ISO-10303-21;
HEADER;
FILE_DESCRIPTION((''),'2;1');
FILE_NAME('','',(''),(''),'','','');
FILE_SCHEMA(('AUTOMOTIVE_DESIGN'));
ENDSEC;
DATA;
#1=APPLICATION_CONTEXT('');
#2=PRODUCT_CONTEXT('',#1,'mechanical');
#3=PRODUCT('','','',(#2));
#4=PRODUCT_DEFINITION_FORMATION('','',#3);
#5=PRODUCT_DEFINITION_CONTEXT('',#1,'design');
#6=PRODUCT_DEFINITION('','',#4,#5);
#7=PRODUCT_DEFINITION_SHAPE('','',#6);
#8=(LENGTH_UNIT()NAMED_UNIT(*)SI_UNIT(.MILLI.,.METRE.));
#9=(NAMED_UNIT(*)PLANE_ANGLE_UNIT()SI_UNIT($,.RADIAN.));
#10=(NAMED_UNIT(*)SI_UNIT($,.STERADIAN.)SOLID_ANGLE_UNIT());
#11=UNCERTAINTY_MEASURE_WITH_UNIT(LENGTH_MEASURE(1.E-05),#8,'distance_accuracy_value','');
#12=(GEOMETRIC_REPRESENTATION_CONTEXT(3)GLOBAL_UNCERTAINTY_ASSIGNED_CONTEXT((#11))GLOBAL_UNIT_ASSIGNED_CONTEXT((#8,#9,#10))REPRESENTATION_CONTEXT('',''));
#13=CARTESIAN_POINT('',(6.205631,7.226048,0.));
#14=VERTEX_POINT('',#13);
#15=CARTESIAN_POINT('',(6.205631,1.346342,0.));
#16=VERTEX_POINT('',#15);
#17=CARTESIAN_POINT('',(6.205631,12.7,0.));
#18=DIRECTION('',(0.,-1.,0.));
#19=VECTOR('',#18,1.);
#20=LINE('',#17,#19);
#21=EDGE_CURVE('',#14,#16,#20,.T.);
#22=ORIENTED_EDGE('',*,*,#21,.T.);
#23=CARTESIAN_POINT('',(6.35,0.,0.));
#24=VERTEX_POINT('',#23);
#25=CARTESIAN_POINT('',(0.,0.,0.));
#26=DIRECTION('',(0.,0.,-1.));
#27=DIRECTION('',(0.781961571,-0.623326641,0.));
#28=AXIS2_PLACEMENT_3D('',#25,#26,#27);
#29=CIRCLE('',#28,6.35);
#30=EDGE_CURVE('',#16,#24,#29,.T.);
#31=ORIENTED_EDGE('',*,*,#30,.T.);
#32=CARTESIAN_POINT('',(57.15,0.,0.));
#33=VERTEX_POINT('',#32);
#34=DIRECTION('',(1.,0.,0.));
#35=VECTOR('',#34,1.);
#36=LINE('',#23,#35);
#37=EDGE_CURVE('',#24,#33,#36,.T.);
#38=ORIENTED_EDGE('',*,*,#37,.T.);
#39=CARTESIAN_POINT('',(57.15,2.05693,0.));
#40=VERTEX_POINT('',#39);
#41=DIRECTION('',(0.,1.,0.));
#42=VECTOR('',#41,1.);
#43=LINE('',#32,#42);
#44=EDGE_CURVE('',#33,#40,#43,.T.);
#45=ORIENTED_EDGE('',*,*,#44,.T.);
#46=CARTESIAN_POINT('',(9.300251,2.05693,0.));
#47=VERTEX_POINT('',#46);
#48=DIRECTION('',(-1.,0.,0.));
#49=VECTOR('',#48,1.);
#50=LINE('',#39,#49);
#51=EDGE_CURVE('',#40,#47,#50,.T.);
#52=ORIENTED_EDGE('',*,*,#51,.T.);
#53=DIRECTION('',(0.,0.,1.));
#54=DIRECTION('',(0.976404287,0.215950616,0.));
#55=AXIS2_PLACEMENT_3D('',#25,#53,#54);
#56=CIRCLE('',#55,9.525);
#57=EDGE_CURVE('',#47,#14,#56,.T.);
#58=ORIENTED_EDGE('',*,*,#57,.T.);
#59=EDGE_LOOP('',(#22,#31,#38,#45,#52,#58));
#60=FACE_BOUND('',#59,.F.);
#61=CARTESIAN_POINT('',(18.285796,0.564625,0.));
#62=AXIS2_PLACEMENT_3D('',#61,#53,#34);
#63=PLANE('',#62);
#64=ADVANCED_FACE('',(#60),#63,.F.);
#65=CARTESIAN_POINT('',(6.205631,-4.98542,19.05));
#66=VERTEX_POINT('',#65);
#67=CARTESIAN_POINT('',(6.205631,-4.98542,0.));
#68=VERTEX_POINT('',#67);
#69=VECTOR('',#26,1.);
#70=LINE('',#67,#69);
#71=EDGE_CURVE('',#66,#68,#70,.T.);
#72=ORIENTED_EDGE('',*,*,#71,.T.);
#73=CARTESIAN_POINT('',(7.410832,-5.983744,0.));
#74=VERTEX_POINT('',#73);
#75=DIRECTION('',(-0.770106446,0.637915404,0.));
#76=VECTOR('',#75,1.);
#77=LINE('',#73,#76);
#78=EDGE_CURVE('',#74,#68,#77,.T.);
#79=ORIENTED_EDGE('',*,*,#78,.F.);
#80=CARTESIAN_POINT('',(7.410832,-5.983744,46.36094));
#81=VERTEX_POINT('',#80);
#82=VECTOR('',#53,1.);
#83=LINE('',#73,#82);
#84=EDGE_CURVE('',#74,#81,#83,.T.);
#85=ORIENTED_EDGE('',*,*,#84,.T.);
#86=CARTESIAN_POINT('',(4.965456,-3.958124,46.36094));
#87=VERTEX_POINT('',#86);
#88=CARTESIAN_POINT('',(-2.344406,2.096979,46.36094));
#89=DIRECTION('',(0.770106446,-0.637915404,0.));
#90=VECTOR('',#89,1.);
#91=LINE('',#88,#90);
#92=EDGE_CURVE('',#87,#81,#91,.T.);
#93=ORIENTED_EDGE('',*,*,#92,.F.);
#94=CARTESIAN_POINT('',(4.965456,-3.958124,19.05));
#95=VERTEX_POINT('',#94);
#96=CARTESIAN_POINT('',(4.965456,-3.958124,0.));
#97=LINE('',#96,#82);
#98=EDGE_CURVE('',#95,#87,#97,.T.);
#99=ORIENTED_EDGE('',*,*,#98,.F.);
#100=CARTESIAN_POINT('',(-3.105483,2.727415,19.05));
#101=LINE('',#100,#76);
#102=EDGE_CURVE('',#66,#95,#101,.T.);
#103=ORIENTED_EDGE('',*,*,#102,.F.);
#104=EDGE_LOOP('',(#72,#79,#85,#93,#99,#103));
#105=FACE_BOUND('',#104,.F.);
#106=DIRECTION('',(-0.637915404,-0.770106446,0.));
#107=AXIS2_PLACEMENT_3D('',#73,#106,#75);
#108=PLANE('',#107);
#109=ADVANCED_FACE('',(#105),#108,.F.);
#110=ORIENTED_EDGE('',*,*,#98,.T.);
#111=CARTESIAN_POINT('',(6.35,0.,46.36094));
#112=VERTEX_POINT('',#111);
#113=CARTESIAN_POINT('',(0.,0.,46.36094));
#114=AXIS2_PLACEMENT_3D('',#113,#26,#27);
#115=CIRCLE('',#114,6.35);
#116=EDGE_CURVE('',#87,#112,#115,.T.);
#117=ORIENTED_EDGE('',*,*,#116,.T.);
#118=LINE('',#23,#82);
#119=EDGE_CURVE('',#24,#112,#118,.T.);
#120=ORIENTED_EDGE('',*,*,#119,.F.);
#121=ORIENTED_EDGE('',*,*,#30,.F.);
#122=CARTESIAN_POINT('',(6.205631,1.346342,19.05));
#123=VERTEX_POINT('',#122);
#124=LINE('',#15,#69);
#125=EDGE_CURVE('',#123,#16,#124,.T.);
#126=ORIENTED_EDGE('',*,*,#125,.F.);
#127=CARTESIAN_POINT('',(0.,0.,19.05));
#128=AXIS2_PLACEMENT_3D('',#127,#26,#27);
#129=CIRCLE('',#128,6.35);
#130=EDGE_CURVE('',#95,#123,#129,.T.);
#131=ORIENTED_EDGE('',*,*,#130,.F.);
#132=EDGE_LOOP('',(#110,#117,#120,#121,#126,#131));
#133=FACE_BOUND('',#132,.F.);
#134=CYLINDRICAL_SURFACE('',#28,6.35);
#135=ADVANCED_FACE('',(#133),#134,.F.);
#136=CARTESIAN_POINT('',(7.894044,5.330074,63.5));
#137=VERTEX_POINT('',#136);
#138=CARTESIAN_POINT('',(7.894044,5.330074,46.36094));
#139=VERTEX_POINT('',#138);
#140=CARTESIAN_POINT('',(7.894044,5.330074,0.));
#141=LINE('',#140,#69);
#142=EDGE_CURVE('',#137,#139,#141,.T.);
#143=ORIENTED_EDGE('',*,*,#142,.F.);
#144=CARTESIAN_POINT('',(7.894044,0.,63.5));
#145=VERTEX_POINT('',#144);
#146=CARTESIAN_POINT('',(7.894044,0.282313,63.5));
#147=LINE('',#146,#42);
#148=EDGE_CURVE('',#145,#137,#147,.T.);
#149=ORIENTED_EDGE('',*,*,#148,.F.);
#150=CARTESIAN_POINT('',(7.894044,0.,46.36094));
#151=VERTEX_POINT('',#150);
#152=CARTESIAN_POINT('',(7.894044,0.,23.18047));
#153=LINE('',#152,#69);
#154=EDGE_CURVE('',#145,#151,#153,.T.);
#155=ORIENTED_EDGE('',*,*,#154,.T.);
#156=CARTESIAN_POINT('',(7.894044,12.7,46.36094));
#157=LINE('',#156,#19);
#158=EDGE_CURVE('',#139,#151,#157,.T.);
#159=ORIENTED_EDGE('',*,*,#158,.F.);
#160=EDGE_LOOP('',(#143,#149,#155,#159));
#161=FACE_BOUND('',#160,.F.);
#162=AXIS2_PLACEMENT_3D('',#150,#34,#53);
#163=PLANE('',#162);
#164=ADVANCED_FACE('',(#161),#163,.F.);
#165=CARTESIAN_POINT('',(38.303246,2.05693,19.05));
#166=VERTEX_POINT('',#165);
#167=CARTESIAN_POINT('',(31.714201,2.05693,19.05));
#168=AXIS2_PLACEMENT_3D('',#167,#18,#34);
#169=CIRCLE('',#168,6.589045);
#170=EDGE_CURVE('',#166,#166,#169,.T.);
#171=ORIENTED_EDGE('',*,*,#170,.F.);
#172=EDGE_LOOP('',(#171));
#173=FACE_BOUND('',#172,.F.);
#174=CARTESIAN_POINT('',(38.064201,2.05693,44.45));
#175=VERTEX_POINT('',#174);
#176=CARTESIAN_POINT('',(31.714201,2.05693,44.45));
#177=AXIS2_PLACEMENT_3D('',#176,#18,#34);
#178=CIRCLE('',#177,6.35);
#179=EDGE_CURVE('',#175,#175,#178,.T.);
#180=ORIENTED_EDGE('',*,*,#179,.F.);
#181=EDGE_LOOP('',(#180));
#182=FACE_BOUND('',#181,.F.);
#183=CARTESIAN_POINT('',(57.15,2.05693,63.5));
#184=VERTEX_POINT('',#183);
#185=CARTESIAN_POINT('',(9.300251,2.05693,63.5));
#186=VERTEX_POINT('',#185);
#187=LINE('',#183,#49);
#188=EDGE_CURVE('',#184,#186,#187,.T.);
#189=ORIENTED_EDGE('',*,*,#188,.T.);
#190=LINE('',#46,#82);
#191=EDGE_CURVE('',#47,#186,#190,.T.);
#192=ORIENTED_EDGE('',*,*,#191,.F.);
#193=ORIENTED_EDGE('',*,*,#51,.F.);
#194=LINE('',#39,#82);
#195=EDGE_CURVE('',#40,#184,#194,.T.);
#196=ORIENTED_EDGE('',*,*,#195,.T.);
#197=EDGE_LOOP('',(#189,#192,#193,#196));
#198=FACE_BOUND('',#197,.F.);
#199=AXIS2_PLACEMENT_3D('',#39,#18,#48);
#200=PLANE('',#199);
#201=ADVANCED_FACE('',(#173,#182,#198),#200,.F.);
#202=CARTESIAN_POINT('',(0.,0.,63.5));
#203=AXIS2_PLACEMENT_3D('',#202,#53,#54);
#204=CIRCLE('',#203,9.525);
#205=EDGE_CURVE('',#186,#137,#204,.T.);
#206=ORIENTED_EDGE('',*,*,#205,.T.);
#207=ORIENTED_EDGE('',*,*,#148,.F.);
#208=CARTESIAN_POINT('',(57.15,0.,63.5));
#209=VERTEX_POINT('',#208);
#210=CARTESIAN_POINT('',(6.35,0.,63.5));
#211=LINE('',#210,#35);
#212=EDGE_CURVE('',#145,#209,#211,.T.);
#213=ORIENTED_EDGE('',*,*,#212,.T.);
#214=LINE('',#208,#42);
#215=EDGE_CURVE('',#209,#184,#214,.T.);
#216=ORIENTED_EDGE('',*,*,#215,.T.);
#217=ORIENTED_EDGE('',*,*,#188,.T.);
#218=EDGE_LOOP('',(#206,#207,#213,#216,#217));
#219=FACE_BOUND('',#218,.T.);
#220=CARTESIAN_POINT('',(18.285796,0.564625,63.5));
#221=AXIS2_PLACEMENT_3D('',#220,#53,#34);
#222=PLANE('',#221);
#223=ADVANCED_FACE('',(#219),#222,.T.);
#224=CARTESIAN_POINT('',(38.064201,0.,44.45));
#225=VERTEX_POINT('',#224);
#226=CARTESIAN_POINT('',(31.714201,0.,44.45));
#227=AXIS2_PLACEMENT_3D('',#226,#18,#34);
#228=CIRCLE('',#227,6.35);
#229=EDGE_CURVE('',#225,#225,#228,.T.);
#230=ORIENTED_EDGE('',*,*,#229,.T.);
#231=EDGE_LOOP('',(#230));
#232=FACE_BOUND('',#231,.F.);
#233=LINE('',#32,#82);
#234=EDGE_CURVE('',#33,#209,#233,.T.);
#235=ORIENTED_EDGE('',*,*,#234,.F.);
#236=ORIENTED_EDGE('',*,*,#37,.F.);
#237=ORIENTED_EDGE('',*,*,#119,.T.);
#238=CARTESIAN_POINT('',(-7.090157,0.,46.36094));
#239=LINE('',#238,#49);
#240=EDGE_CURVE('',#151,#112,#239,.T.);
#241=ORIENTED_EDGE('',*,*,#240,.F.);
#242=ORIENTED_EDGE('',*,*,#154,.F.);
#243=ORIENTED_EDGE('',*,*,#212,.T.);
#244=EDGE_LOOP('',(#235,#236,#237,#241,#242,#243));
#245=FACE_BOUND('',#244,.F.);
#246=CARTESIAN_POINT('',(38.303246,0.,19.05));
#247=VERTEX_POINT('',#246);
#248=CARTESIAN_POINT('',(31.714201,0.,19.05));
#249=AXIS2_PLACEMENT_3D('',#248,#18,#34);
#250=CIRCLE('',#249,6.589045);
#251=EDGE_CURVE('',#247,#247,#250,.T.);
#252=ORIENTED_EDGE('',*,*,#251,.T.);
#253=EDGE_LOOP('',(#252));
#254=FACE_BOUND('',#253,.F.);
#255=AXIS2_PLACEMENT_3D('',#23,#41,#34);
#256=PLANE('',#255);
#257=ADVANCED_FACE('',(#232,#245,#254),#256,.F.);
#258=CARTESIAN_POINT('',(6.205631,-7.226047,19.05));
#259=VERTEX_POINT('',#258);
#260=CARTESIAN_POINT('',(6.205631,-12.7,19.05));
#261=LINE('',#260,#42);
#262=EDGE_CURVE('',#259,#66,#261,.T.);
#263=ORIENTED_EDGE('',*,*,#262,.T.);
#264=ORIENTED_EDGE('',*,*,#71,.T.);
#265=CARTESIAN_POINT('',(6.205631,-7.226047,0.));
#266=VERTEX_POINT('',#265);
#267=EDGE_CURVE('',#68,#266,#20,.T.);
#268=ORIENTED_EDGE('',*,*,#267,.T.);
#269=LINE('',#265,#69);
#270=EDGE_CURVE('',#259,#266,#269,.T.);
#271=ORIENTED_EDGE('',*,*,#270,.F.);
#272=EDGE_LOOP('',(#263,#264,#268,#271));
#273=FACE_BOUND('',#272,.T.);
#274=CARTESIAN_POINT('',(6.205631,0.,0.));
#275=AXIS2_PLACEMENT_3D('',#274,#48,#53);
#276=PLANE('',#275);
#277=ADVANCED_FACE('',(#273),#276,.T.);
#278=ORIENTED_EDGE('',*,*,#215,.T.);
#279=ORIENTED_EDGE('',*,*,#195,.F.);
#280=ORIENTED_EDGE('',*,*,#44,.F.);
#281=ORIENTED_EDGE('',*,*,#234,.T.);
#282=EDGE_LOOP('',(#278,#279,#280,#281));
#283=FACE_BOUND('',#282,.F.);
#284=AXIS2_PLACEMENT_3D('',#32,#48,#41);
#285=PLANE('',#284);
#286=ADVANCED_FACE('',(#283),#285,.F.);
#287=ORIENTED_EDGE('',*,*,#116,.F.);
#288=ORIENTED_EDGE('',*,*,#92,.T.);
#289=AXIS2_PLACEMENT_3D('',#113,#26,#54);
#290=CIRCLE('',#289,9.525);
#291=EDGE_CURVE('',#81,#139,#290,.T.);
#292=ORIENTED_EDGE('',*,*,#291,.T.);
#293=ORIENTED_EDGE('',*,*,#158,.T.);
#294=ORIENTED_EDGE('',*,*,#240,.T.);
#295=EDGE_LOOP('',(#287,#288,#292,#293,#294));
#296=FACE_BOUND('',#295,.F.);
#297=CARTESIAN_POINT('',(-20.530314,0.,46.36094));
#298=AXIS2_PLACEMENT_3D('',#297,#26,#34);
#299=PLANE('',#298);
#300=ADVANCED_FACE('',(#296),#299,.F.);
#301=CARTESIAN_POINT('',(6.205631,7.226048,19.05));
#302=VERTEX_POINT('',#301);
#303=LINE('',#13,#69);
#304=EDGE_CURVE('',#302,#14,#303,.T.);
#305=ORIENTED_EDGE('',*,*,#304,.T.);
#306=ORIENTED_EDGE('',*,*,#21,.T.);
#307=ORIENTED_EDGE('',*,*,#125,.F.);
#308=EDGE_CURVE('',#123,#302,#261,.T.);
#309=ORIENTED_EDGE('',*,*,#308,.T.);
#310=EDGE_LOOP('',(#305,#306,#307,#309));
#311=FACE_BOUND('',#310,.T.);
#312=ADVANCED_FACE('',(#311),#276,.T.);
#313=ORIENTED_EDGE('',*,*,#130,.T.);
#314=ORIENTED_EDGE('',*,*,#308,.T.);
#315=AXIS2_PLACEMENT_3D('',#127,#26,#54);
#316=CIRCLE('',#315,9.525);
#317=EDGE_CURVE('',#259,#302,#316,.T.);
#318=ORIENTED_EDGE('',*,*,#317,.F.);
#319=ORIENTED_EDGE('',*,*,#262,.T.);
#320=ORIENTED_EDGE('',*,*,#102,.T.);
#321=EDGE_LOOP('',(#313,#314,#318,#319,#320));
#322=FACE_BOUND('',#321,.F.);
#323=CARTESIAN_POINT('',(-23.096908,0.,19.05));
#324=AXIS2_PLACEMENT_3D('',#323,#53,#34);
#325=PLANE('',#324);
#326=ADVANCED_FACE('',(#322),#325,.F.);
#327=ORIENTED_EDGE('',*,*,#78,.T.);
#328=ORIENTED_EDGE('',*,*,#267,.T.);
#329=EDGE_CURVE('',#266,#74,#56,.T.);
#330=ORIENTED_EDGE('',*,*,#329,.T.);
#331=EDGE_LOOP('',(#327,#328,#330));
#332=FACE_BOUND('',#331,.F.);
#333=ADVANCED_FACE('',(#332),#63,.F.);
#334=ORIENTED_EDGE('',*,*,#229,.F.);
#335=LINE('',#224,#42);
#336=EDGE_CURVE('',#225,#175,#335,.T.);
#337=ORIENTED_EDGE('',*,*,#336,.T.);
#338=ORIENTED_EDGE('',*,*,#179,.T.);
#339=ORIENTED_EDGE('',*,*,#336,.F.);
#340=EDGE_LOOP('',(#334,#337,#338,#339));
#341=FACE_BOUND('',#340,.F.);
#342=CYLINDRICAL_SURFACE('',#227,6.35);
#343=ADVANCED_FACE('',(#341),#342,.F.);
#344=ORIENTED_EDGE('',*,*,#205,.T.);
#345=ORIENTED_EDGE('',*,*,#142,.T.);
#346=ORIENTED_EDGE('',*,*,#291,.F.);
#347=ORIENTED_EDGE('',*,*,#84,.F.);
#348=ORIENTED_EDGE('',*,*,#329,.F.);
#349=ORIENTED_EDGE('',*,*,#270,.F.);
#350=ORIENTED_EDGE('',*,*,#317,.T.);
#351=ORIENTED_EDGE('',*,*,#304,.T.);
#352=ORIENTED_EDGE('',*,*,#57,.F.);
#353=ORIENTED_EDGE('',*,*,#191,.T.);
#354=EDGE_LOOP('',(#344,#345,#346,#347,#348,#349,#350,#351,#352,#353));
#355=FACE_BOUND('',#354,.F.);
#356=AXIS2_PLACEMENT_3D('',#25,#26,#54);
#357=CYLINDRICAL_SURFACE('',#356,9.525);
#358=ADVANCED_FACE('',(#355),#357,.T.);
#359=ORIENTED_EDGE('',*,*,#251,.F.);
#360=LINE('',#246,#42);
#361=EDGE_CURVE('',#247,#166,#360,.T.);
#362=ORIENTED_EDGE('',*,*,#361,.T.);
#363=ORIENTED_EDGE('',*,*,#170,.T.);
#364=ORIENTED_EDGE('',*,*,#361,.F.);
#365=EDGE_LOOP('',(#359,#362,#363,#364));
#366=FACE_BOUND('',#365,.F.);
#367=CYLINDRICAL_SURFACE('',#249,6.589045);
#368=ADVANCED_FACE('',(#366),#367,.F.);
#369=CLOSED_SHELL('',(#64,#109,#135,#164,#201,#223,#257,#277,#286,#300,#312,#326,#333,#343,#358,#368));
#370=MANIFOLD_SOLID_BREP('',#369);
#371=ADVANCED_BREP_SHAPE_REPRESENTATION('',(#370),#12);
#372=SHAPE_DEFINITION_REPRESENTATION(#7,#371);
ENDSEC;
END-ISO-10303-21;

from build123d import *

# Parameters (mm, degrees)
F1_DEPTH = 63.5
F2_R     = 6.35
F2_R_2   = 6.589045
F3_DEPTH = 9.526
F4_W     = 29.302539
F4_H     = 19.05
F4_W_2   = 28.424359
F5_DEPTH = 12.7


with BuildPart() as f1:
    # F0 (on Top) → F1 (new body)
    with BuildSketch(Plane.XY):
        with BuildLine():
            ThreePointArc((4.965456, -3.958124), (-5.993878, 2.096646), (6.35, 0))
            Line((6.35, 0), (57.15, 0))
            Line((57.15, 0), (57.15, 2.05693))
            Line((57.15, 2.05693), (9.300251, 2.05693))
            ThreePointArc((9.300251, 2.05693), (-9.272442, 2.178863), (7.410832, -5.983744))
            Line((7.410832, -5.983744), (4.965456, -3.958124))
        make_face()
    extrude(amount=F1_DEPTH)

    # F2 (on face) → F3 (cut, through all)
    with BuildSketch(Plane.XZ):
        with Locations((31.714201, 44.45)):
            Circle(F2_R)
        with Locations((31.714201, 19.05)):
            Circle(F2_R_2)
    extrude(amount=-F3_DEPTH, mode=Mode.SUBTRACT)

    # F4 (on face) → F5 (cut, symmetric)
    with BuildSketch(Plane.XZ):
        with Locations((-8.445638, 9.525)):
            Rectangle(F4_W, F4_H)
        with Locations((-6.318135, 55.88594)):
            Rectangle(F4_W_2, F4_H)
    extrude(amount=F5_DEPTH, both=True, mode=Mode.SUBTRACT)


solid = f1.part
